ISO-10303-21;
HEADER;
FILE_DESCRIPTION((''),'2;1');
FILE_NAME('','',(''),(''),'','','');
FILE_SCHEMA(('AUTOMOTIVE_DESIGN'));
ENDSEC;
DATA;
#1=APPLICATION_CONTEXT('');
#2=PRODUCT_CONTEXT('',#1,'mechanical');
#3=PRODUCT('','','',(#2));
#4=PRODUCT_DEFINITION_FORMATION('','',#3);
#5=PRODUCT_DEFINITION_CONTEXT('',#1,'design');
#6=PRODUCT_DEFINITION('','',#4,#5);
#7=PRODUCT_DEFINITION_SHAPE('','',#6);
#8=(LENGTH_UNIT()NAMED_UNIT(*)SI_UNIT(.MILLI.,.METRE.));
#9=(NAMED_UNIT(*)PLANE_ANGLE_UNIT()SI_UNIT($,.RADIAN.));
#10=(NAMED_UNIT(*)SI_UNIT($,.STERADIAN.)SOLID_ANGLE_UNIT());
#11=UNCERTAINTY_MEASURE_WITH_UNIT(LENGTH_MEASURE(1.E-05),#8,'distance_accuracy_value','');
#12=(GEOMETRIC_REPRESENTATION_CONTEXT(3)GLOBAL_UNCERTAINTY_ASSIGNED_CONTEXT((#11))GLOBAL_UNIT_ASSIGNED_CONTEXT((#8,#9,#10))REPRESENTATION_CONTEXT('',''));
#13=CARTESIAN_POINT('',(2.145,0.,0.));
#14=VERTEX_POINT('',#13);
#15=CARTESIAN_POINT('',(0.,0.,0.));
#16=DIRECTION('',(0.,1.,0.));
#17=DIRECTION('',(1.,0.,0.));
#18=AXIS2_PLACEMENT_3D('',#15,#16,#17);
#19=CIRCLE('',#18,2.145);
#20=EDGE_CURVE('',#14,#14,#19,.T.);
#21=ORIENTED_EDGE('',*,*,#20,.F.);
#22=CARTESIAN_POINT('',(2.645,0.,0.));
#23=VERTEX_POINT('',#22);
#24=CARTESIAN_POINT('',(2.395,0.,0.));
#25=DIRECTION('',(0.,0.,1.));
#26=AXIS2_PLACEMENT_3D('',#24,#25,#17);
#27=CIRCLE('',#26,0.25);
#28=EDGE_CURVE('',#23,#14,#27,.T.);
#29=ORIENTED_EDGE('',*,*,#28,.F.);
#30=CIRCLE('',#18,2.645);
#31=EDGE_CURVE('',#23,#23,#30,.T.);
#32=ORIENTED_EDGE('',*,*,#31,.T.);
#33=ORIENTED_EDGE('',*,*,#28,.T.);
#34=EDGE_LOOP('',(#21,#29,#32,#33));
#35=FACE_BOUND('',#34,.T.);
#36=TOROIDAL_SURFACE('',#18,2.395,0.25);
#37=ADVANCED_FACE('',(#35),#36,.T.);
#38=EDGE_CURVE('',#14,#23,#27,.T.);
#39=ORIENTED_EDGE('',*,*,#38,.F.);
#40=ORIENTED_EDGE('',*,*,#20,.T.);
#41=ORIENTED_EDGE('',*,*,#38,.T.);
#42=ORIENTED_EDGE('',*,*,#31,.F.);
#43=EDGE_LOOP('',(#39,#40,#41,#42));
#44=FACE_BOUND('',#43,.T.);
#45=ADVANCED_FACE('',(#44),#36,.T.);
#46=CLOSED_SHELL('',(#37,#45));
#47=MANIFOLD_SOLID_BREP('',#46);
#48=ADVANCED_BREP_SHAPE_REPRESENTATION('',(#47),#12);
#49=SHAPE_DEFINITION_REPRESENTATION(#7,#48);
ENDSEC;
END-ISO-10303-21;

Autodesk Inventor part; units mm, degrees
ref_plane "YZ Plane" through (0, 0, 0) normal (1, 0, 0) x (0, 1, 0)
ref_plane "XZ Plane" through (0, 0, 0) normal (0, 1, 0) x (-1, 0, 0)
ref_plane "XY Plane" through (0, 0, 0) normal (0, 0, 1) x (1, 0, 0)
sketch "Sketch1" plane through (0, 0, 0) normal (0, 0, 1) x (1, 0, 0)
  line L0 (0, -2.136) -> (0, 2.2442)
  line L1 (0, 0) -> (2.145, 0) construction
  circle A0 centre (2.395, 0) radius 0.25
  line L2 (2.145, 0) -> (2.145, 0.4659)
  dimension "d6" = 2.145
revolve "Revolution1" add sketch "Sketch1" angle 360 about axis through (0, -2.136, 0) along (0, 1, 0)
properties part number "o_ring_4.29_0.5XXX" material "Rubber"
